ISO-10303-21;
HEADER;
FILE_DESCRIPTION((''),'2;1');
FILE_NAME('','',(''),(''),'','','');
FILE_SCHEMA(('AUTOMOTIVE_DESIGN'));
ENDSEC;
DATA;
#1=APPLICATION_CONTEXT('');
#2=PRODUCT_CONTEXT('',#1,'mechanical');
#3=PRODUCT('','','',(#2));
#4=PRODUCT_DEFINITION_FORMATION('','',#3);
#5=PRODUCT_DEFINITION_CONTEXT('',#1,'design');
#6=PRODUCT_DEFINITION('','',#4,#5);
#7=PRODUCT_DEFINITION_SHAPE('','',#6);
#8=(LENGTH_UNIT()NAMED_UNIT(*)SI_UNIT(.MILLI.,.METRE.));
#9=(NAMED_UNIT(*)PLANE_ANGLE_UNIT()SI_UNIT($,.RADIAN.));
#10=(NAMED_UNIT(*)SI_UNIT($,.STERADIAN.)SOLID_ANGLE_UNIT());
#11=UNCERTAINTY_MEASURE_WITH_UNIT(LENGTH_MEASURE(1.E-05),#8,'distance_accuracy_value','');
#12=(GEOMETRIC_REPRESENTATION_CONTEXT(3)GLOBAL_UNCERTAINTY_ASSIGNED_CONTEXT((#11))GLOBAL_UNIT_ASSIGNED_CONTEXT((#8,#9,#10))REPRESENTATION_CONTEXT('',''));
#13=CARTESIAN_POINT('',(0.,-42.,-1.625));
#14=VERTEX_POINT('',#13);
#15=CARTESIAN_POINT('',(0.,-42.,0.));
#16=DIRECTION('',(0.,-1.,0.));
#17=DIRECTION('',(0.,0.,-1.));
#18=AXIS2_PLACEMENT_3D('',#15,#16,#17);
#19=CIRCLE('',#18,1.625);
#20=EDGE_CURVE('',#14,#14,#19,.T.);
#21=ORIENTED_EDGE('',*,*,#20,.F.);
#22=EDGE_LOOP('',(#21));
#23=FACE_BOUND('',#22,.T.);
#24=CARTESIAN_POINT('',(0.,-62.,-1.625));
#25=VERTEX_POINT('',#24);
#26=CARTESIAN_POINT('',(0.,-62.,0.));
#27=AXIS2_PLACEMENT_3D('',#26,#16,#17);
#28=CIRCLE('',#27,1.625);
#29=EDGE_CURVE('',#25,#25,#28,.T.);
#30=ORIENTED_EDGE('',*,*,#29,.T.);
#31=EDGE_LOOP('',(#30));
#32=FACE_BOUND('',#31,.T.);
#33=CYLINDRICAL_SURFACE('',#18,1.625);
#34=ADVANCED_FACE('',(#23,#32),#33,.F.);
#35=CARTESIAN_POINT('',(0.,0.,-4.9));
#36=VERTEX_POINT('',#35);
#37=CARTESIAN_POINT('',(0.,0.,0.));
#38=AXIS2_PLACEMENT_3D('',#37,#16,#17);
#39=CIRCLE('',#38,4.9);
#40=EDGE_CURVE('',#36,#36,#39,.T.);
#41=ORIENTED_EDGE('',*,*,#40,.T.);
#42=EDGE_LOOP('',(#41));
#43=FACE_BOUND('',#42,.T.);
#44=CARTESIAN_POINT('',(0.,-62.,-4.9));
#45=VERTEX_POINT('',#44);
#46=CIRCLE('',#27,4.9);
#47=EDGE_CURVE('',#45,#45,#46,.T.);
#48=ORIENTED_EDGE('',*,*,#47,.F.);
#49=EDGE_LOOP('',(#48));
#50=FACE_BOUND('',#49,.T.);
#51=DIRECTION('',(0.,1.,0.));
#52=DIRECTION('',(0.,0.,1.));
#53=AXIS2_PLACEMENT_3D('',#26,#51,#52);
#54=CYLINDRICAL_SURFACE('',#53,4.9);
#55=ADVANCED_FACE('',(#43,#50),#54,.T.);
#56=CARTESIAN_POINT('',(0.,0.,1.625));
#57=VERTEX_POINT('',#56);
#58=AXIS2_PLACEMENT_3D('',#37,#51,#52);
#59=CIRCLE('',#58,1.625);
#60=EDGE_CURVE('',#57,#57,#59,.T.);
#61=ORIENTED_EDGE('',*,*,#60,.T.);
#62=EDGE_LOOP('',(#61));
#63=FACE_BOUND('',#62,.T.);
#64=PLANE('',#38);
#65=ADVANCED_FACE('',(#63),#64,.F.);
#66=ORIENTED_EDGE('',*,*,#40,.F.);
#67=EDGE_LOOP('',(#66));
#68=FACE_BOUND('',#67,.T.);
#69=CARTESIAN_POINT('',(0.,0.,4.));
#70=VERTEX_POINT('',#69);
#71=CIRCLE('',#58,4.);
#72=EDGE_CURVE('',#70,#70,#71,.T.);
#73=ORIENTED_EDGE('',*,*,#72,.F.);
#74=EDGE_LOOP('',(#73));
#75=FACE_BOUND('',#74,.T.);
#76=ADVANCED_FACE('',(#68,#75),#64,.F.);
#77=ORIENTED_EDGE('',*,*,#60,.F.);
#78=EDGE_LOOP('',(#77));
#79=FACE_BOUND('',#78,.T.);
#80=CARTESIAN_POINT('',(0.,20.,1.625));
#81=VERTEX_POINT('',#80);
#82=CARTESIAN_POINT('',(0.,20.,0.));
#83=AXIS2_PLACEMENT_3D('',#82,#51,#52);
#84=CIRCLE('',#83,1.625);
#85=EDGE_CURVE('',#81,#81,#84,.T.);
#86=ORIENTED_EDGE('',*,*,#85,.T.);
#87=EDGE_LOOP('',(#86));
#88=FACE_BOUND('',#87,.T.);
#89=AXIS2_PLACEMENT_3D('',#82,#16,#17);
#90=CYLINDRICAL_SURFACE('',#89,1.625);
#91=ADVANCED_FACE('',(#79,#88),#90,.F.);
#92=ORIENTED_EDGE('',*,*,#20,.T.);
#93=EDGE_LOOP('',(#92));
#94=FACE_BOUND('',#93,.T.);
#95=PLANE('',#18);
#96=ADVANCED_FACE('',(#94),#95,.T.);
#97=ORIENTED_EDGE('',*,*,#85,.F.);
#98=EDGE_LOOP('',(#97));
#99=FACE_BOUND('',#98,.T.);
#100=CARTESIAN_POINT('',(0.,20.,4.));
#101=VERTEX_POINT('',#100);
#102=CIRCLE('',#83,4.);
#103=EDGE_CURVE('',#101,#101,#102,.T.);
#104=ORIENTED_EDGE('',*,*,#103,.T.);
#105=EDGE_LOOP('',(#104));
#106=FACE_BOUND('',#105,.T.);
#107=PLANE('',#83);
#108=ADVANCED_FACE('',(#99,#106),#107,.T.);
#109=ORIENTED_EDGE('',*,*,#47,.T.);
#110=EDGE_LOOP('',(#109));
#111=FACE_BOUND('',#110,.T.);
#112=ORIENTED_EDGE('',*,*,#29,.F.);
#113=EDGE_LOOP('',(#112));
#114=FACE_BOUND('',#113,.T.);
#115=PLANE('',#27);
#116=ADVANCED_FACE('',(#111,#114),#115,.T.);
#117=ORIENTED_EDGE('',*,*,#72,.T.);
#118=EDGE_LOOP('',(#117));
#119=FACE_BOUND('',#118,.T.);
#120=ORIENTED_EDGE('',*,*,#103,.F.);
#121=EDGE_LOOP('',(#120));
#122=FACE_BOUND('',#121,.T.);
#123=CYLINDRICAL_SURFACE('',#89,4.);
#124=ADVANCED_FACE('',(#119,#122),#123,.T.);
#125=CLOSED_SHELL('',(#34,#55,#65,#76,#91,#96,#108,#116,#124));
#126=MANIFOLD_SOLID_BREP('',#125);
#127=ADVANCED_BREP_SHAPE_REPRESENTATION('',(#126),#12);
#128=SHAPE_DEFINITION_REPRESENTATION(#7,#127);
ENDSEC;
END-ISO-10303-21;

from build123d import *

# Parameters (mm, degrees)
SKETCH1_R           = 4
SKETCH1_R_2         = 1.625
BOSS_EXTRUDE2_DEPTH = 20
SKETCH2_R           = 4.9
BOSS_EXTRUDE3_DEPTH = 62
SKETCH6_R           = 1.625
CUT_EXTRUDE3_DEPTH  = 20


with BuildPart() as part:
    # Sketch1 → Boss-Extrude2 (new body)
    with BuildSketch(Plane(origin=(0, 0, 0), x_dir=(1, 0, 0), z_dir=(0, 1, 0))):
        Circle(SKETCH1_R)
        Circle(SKETCH1_R_2, mode=Mode.SUBTRACT)
    extrude(amount=BOSS_EXTRUDE2_DEPTH)

    # Sketch2 → Boss-Extrude3 (add)
    with BuildSketch(Plane.XZ):
        Circle(SKETCH2_R)
    extrude(amount=BOSS_EXTRUDE3_DEPTH)

    # Sketch6 → Cut-Extrude3 (cut)
    with BuildSketch(Plane.XZ.offset(62)):
        Circle(SKETCH6_R)
    extrude(amount=-CUT_EXTRUDE3_DEPTH, mode=Mode.SUBTRACT)


solid = part.part
